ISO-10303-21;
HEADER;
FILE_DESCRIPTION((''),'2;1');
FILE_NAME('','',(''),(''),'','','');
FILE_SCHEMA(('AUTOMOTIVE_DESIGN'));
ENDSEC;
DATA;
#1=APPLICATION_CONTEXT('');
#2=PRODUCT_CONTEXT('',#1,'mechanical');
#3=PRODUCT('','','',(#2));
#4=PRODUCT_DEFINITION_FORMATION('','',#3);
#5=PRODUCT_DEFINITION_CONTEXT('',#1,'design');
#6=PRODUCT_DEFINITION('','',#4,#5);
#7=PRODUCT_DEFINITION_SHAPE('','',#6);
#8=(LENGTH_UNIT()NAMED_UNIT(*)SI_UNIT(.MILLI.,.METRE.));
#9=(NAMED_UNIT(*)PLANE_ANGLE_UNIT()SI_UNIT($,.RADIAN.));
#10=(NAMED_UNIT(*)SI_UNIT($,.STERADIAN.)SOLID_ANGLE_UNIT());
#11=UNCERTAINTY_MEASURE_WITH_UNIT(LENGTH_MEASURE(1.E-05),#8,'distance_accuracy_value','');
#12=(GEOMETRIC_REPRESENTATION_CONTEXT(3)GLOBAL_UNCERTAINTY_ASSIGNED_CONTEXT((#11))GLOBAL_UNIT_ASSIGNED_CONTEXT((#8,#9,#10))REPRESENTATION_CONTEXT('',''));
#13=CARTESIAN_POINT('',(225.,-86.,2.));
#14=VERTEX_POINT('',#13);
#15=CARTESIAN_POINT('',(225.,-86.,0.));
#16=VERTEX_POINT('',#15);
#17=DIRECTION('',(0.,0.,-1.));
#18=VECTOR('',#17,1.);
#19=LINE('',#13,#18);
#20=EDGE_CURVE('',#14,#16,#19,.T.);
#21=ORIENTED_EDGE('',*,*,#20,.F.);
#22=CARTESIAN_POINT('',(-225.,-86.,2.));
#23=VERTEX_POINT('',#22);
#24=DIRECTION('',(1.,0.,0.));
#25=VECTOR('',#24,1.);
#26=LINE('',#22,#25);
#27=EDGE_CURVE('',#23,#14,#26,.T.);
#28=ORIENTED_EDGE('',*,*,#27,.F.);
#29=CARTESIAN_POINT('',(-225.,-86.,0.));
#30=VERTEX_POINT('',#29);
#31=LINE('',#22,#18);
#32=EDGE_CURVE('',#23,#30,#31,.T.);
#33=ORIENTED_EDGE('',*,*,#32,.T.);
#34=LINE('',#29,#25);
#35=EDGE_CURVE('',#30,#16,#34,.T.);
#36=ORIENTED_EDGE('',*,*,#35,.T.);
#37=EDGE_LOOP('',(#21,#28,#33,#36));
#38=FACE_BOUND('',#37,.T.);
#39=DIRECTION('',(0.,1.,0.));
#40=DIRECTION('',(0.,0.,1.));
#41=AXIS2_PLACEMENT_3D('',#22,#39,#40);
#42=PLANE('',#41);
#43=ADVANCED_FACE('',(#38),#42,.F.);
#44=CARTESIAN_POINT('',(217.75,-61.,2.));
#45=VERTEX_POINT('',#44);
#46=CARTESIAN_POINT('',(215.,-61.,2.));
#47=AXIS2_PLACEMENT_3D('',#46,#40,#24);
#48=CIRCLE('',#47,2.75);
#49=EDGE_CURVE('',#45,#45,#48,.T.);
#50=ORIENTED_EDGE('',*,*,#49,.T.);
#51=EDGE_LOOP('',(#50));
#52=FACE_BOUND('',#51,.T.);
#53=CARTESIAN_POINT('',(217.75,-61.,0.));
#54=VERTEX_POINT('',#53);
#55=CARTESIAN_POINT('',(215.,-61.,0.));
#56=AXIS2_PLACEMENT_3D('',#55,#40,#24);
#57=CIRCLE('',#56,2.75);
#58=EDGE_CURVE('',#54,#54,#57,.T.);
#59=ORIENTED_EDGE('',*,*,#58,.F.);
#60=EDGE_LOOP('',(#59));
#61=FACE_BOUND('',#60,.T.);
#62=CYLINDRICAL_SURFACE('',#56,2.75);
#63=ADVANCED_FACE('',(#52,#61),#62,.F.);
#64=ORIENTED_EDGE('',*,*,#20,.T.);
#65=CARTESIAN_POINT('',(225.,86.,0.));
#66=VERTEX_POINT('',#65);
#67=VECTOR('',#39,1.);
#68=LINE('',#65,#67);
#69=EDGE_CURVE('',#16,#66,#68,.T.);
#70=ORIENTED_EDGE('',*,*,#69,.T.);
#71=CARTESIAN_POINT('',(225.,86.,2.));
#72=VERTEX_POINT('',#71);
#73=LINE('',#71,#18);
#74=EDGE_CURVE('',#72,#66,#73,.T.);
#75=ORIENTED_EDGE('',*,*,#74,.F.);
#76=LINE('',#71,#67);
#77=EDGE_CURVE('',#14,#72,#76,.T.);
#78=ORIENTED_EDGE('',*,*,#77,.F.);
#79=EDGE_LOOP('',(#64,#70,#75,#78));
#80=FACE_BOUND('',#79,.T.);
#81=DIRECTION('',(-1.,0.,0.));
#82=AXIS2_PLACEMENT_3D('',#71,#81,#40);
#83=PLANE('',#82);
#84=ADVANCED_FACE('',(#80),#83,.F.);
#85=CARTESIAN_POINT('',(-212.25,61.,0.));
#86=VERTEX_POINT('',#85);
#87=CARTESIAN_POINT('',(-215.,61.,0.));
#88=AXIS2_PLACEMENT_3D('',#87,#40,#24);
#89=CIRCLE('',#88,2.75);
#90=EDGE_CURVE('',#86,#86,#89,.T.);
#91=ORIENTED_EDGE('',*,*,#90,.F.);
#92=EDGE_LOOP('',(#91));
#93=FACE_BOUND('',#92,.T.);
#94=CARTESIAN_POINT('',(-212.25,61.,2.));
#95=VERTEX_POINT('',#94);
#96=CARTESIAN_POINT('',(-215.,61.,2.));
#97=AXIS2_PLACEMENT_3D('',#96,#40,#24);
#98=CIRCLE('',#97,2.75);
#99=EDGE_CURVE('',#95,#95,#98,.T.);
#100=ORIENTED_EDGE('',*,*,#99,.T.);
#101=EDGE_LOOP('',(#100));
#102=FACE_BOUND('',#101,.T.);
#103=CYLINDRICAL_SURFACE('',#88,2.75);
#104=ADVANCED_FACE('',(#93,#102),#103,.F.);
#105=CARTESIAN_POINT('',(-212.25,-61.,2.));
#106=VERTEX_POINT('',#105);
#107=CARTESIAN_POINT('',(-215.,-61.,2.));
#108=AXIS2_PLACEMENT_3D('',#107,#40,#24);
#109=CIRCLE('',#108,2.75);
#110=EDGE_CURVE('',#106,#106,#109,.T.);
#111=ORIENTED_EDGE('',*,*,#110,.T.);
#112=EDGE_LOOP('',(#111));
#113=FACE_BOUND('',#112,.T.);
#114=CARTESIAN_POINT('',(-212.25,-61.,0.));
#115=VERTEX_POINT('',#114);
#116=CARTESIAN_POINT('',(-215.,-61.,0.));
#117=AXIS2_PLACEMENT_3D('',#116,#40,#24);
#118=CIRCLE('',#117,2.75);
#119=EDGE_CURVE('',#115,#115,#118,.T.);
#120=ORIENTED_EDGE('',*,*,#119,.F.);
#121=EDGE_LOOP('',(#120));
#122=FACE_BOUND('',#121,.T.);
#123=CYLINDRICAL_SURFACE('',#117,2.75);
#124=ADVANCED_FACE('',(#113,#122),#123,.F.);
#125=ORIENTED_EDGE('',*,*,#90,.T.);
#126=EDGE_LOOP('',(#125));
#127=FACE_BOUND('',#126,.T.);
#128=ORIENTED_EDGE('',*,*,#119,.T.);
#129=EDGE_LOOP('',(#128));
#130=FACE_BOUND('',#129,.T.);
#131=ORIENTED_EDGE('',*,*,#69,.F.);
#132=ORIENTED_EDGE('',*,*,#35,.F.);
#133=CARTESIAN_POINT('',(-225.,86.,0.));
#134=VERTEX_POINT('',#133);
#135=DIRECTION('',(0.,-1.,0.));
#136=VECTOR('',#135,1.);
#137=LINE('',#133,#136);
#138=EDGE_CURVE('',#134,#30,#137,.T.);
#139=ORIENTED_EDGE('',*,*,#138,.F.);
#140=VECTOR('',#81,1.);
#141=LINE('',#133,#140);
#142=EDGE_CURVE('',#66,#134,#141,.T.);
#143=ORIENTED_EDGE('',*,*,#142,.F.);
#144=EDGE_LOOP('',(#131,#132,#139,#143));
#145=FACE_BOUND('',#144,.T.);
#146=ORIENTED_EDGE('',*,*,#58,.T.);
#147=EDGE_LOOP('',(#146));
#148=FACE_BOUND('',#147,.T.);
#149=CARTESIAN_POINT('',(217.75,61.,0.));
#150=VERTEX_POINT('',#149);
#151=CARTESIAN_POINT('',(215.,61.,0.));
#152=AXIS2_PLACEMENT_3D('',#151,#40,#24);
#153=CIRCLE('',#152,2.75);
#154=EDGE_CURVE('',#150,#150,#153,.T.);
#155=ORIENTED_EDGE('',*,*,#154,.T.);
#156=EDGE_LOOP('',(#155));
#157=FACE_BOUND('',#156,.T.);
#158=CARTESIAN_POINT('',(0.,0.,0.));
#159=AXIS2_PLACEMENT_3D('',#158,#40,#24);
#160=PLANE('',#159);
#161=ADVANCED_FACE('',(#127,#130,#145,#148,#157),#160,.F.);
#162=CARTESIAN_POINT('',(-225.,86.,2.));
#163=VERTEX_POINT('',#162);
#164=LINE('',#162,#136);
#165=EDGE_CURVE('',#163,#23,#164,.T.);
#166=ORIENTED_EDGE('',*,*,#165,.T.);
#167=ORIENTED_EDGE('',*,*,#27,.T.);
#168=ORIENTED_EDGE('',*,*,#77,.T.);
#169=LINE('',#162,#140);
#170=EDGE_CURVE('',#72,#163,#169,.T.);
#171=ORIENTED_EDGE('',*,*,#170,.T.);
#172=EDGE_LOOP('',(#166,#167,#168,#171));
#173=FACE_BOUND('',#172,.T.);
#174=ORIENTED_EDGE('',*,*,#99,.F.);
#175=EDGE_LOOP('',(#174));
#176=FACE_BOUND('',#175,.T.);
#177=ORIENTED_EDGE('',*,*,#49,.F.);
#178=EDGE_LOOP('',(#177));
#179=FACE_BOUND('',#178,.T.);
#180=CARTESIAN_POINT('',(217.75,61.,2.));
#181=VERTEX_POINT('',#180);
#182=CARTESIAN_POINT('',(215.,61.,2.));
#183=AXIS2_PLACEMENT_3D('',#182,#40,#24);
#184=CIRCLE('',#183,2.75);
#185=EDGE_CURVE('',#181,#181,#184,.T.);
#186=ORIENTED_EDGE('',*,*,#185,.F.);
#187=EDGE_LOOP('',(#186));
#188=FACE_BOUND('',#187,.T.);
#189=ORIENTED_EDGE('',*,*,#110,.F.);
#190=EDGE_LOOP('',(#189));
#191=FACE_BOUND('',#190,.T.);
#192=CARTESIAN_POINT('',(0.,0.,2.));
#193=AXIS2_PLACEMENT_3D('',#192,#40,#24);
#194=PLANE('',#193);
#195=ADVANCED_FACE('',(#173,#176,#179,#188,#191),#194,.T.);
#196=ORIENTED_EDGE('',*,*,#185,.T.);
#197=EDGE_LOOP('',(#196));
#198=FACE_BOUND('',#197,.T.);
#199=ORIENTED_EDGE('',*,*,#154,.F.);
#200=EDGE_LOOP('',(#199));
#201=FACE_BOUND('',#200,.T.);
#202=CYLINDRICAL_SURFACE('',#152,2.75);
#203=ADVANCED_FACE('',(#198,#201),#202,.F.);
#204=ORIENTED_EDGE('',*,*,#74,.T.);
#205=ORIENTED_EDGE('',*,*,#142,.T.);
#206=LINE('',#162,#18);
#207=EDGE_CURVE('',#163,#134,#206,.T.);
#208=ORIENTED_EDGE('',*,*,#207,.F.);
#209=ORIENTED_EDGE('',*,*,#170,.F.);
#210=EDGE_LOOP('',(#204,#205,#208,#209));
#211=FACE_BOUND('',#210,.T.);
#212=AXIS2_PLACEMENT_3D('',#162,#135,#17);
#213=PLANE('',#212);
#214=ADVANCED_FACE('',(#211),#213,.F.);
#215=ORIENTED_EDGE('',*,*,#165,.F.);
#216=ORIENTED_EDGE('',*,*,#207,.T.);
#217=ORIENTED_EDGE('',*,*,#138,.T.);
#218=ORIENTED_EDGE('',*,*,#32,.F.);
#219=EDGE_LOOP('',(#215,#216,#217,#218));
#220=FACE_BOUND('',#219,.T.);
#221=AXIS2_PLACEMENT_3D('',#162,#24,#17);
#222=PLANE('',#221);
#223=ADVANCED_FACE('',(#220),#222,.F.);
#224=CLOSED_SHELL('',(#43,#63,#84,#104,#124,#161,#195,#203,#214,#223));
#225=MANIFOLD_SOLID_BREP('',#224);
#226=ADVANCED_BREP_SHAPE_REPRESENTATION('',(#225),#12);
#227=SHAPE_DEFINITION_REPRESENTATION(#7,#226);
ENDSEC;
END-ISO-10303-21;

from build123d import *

# Parameters (mm, degrees)
SKETCH1_W           = 450
SKETCH1_H           = 172
BOSS_EXTRUDE1_DEPTH = 2
SKETCH2_R           = 2.75
CUT_EXTRUDE1_DEPTH  = 241.883789409


with BuildPart() as part:
    # Sketch1 → Boss-Extrude1 (new body)
    with BuildSketch(Plane.XY):
        Rectangle(SKETCH1_W, SKETCH1_H)
    extrude(amount=BOSS_EXTRUDE1_DEPTH)

    # Sketch2 → Cut-Extrude1 (cut, through all)
    with BuildSketch(Plane.XY.offset(2)):
        with Locations((-215, 61)):
            Circle(SKETCH2_R)
        with Locations((215, 61)):
            Circle(SKETCH2_R)
        with Locations((215, -61)):
            Circle(SKETCH2_R)
        with Locations((-215, -61)):
            Circle(SKETCH2_R)
    extrude(amount=-CUT_EXTRUDE1_DEPTH, mode=Mode.SUBTRACT)


solid = part.part
